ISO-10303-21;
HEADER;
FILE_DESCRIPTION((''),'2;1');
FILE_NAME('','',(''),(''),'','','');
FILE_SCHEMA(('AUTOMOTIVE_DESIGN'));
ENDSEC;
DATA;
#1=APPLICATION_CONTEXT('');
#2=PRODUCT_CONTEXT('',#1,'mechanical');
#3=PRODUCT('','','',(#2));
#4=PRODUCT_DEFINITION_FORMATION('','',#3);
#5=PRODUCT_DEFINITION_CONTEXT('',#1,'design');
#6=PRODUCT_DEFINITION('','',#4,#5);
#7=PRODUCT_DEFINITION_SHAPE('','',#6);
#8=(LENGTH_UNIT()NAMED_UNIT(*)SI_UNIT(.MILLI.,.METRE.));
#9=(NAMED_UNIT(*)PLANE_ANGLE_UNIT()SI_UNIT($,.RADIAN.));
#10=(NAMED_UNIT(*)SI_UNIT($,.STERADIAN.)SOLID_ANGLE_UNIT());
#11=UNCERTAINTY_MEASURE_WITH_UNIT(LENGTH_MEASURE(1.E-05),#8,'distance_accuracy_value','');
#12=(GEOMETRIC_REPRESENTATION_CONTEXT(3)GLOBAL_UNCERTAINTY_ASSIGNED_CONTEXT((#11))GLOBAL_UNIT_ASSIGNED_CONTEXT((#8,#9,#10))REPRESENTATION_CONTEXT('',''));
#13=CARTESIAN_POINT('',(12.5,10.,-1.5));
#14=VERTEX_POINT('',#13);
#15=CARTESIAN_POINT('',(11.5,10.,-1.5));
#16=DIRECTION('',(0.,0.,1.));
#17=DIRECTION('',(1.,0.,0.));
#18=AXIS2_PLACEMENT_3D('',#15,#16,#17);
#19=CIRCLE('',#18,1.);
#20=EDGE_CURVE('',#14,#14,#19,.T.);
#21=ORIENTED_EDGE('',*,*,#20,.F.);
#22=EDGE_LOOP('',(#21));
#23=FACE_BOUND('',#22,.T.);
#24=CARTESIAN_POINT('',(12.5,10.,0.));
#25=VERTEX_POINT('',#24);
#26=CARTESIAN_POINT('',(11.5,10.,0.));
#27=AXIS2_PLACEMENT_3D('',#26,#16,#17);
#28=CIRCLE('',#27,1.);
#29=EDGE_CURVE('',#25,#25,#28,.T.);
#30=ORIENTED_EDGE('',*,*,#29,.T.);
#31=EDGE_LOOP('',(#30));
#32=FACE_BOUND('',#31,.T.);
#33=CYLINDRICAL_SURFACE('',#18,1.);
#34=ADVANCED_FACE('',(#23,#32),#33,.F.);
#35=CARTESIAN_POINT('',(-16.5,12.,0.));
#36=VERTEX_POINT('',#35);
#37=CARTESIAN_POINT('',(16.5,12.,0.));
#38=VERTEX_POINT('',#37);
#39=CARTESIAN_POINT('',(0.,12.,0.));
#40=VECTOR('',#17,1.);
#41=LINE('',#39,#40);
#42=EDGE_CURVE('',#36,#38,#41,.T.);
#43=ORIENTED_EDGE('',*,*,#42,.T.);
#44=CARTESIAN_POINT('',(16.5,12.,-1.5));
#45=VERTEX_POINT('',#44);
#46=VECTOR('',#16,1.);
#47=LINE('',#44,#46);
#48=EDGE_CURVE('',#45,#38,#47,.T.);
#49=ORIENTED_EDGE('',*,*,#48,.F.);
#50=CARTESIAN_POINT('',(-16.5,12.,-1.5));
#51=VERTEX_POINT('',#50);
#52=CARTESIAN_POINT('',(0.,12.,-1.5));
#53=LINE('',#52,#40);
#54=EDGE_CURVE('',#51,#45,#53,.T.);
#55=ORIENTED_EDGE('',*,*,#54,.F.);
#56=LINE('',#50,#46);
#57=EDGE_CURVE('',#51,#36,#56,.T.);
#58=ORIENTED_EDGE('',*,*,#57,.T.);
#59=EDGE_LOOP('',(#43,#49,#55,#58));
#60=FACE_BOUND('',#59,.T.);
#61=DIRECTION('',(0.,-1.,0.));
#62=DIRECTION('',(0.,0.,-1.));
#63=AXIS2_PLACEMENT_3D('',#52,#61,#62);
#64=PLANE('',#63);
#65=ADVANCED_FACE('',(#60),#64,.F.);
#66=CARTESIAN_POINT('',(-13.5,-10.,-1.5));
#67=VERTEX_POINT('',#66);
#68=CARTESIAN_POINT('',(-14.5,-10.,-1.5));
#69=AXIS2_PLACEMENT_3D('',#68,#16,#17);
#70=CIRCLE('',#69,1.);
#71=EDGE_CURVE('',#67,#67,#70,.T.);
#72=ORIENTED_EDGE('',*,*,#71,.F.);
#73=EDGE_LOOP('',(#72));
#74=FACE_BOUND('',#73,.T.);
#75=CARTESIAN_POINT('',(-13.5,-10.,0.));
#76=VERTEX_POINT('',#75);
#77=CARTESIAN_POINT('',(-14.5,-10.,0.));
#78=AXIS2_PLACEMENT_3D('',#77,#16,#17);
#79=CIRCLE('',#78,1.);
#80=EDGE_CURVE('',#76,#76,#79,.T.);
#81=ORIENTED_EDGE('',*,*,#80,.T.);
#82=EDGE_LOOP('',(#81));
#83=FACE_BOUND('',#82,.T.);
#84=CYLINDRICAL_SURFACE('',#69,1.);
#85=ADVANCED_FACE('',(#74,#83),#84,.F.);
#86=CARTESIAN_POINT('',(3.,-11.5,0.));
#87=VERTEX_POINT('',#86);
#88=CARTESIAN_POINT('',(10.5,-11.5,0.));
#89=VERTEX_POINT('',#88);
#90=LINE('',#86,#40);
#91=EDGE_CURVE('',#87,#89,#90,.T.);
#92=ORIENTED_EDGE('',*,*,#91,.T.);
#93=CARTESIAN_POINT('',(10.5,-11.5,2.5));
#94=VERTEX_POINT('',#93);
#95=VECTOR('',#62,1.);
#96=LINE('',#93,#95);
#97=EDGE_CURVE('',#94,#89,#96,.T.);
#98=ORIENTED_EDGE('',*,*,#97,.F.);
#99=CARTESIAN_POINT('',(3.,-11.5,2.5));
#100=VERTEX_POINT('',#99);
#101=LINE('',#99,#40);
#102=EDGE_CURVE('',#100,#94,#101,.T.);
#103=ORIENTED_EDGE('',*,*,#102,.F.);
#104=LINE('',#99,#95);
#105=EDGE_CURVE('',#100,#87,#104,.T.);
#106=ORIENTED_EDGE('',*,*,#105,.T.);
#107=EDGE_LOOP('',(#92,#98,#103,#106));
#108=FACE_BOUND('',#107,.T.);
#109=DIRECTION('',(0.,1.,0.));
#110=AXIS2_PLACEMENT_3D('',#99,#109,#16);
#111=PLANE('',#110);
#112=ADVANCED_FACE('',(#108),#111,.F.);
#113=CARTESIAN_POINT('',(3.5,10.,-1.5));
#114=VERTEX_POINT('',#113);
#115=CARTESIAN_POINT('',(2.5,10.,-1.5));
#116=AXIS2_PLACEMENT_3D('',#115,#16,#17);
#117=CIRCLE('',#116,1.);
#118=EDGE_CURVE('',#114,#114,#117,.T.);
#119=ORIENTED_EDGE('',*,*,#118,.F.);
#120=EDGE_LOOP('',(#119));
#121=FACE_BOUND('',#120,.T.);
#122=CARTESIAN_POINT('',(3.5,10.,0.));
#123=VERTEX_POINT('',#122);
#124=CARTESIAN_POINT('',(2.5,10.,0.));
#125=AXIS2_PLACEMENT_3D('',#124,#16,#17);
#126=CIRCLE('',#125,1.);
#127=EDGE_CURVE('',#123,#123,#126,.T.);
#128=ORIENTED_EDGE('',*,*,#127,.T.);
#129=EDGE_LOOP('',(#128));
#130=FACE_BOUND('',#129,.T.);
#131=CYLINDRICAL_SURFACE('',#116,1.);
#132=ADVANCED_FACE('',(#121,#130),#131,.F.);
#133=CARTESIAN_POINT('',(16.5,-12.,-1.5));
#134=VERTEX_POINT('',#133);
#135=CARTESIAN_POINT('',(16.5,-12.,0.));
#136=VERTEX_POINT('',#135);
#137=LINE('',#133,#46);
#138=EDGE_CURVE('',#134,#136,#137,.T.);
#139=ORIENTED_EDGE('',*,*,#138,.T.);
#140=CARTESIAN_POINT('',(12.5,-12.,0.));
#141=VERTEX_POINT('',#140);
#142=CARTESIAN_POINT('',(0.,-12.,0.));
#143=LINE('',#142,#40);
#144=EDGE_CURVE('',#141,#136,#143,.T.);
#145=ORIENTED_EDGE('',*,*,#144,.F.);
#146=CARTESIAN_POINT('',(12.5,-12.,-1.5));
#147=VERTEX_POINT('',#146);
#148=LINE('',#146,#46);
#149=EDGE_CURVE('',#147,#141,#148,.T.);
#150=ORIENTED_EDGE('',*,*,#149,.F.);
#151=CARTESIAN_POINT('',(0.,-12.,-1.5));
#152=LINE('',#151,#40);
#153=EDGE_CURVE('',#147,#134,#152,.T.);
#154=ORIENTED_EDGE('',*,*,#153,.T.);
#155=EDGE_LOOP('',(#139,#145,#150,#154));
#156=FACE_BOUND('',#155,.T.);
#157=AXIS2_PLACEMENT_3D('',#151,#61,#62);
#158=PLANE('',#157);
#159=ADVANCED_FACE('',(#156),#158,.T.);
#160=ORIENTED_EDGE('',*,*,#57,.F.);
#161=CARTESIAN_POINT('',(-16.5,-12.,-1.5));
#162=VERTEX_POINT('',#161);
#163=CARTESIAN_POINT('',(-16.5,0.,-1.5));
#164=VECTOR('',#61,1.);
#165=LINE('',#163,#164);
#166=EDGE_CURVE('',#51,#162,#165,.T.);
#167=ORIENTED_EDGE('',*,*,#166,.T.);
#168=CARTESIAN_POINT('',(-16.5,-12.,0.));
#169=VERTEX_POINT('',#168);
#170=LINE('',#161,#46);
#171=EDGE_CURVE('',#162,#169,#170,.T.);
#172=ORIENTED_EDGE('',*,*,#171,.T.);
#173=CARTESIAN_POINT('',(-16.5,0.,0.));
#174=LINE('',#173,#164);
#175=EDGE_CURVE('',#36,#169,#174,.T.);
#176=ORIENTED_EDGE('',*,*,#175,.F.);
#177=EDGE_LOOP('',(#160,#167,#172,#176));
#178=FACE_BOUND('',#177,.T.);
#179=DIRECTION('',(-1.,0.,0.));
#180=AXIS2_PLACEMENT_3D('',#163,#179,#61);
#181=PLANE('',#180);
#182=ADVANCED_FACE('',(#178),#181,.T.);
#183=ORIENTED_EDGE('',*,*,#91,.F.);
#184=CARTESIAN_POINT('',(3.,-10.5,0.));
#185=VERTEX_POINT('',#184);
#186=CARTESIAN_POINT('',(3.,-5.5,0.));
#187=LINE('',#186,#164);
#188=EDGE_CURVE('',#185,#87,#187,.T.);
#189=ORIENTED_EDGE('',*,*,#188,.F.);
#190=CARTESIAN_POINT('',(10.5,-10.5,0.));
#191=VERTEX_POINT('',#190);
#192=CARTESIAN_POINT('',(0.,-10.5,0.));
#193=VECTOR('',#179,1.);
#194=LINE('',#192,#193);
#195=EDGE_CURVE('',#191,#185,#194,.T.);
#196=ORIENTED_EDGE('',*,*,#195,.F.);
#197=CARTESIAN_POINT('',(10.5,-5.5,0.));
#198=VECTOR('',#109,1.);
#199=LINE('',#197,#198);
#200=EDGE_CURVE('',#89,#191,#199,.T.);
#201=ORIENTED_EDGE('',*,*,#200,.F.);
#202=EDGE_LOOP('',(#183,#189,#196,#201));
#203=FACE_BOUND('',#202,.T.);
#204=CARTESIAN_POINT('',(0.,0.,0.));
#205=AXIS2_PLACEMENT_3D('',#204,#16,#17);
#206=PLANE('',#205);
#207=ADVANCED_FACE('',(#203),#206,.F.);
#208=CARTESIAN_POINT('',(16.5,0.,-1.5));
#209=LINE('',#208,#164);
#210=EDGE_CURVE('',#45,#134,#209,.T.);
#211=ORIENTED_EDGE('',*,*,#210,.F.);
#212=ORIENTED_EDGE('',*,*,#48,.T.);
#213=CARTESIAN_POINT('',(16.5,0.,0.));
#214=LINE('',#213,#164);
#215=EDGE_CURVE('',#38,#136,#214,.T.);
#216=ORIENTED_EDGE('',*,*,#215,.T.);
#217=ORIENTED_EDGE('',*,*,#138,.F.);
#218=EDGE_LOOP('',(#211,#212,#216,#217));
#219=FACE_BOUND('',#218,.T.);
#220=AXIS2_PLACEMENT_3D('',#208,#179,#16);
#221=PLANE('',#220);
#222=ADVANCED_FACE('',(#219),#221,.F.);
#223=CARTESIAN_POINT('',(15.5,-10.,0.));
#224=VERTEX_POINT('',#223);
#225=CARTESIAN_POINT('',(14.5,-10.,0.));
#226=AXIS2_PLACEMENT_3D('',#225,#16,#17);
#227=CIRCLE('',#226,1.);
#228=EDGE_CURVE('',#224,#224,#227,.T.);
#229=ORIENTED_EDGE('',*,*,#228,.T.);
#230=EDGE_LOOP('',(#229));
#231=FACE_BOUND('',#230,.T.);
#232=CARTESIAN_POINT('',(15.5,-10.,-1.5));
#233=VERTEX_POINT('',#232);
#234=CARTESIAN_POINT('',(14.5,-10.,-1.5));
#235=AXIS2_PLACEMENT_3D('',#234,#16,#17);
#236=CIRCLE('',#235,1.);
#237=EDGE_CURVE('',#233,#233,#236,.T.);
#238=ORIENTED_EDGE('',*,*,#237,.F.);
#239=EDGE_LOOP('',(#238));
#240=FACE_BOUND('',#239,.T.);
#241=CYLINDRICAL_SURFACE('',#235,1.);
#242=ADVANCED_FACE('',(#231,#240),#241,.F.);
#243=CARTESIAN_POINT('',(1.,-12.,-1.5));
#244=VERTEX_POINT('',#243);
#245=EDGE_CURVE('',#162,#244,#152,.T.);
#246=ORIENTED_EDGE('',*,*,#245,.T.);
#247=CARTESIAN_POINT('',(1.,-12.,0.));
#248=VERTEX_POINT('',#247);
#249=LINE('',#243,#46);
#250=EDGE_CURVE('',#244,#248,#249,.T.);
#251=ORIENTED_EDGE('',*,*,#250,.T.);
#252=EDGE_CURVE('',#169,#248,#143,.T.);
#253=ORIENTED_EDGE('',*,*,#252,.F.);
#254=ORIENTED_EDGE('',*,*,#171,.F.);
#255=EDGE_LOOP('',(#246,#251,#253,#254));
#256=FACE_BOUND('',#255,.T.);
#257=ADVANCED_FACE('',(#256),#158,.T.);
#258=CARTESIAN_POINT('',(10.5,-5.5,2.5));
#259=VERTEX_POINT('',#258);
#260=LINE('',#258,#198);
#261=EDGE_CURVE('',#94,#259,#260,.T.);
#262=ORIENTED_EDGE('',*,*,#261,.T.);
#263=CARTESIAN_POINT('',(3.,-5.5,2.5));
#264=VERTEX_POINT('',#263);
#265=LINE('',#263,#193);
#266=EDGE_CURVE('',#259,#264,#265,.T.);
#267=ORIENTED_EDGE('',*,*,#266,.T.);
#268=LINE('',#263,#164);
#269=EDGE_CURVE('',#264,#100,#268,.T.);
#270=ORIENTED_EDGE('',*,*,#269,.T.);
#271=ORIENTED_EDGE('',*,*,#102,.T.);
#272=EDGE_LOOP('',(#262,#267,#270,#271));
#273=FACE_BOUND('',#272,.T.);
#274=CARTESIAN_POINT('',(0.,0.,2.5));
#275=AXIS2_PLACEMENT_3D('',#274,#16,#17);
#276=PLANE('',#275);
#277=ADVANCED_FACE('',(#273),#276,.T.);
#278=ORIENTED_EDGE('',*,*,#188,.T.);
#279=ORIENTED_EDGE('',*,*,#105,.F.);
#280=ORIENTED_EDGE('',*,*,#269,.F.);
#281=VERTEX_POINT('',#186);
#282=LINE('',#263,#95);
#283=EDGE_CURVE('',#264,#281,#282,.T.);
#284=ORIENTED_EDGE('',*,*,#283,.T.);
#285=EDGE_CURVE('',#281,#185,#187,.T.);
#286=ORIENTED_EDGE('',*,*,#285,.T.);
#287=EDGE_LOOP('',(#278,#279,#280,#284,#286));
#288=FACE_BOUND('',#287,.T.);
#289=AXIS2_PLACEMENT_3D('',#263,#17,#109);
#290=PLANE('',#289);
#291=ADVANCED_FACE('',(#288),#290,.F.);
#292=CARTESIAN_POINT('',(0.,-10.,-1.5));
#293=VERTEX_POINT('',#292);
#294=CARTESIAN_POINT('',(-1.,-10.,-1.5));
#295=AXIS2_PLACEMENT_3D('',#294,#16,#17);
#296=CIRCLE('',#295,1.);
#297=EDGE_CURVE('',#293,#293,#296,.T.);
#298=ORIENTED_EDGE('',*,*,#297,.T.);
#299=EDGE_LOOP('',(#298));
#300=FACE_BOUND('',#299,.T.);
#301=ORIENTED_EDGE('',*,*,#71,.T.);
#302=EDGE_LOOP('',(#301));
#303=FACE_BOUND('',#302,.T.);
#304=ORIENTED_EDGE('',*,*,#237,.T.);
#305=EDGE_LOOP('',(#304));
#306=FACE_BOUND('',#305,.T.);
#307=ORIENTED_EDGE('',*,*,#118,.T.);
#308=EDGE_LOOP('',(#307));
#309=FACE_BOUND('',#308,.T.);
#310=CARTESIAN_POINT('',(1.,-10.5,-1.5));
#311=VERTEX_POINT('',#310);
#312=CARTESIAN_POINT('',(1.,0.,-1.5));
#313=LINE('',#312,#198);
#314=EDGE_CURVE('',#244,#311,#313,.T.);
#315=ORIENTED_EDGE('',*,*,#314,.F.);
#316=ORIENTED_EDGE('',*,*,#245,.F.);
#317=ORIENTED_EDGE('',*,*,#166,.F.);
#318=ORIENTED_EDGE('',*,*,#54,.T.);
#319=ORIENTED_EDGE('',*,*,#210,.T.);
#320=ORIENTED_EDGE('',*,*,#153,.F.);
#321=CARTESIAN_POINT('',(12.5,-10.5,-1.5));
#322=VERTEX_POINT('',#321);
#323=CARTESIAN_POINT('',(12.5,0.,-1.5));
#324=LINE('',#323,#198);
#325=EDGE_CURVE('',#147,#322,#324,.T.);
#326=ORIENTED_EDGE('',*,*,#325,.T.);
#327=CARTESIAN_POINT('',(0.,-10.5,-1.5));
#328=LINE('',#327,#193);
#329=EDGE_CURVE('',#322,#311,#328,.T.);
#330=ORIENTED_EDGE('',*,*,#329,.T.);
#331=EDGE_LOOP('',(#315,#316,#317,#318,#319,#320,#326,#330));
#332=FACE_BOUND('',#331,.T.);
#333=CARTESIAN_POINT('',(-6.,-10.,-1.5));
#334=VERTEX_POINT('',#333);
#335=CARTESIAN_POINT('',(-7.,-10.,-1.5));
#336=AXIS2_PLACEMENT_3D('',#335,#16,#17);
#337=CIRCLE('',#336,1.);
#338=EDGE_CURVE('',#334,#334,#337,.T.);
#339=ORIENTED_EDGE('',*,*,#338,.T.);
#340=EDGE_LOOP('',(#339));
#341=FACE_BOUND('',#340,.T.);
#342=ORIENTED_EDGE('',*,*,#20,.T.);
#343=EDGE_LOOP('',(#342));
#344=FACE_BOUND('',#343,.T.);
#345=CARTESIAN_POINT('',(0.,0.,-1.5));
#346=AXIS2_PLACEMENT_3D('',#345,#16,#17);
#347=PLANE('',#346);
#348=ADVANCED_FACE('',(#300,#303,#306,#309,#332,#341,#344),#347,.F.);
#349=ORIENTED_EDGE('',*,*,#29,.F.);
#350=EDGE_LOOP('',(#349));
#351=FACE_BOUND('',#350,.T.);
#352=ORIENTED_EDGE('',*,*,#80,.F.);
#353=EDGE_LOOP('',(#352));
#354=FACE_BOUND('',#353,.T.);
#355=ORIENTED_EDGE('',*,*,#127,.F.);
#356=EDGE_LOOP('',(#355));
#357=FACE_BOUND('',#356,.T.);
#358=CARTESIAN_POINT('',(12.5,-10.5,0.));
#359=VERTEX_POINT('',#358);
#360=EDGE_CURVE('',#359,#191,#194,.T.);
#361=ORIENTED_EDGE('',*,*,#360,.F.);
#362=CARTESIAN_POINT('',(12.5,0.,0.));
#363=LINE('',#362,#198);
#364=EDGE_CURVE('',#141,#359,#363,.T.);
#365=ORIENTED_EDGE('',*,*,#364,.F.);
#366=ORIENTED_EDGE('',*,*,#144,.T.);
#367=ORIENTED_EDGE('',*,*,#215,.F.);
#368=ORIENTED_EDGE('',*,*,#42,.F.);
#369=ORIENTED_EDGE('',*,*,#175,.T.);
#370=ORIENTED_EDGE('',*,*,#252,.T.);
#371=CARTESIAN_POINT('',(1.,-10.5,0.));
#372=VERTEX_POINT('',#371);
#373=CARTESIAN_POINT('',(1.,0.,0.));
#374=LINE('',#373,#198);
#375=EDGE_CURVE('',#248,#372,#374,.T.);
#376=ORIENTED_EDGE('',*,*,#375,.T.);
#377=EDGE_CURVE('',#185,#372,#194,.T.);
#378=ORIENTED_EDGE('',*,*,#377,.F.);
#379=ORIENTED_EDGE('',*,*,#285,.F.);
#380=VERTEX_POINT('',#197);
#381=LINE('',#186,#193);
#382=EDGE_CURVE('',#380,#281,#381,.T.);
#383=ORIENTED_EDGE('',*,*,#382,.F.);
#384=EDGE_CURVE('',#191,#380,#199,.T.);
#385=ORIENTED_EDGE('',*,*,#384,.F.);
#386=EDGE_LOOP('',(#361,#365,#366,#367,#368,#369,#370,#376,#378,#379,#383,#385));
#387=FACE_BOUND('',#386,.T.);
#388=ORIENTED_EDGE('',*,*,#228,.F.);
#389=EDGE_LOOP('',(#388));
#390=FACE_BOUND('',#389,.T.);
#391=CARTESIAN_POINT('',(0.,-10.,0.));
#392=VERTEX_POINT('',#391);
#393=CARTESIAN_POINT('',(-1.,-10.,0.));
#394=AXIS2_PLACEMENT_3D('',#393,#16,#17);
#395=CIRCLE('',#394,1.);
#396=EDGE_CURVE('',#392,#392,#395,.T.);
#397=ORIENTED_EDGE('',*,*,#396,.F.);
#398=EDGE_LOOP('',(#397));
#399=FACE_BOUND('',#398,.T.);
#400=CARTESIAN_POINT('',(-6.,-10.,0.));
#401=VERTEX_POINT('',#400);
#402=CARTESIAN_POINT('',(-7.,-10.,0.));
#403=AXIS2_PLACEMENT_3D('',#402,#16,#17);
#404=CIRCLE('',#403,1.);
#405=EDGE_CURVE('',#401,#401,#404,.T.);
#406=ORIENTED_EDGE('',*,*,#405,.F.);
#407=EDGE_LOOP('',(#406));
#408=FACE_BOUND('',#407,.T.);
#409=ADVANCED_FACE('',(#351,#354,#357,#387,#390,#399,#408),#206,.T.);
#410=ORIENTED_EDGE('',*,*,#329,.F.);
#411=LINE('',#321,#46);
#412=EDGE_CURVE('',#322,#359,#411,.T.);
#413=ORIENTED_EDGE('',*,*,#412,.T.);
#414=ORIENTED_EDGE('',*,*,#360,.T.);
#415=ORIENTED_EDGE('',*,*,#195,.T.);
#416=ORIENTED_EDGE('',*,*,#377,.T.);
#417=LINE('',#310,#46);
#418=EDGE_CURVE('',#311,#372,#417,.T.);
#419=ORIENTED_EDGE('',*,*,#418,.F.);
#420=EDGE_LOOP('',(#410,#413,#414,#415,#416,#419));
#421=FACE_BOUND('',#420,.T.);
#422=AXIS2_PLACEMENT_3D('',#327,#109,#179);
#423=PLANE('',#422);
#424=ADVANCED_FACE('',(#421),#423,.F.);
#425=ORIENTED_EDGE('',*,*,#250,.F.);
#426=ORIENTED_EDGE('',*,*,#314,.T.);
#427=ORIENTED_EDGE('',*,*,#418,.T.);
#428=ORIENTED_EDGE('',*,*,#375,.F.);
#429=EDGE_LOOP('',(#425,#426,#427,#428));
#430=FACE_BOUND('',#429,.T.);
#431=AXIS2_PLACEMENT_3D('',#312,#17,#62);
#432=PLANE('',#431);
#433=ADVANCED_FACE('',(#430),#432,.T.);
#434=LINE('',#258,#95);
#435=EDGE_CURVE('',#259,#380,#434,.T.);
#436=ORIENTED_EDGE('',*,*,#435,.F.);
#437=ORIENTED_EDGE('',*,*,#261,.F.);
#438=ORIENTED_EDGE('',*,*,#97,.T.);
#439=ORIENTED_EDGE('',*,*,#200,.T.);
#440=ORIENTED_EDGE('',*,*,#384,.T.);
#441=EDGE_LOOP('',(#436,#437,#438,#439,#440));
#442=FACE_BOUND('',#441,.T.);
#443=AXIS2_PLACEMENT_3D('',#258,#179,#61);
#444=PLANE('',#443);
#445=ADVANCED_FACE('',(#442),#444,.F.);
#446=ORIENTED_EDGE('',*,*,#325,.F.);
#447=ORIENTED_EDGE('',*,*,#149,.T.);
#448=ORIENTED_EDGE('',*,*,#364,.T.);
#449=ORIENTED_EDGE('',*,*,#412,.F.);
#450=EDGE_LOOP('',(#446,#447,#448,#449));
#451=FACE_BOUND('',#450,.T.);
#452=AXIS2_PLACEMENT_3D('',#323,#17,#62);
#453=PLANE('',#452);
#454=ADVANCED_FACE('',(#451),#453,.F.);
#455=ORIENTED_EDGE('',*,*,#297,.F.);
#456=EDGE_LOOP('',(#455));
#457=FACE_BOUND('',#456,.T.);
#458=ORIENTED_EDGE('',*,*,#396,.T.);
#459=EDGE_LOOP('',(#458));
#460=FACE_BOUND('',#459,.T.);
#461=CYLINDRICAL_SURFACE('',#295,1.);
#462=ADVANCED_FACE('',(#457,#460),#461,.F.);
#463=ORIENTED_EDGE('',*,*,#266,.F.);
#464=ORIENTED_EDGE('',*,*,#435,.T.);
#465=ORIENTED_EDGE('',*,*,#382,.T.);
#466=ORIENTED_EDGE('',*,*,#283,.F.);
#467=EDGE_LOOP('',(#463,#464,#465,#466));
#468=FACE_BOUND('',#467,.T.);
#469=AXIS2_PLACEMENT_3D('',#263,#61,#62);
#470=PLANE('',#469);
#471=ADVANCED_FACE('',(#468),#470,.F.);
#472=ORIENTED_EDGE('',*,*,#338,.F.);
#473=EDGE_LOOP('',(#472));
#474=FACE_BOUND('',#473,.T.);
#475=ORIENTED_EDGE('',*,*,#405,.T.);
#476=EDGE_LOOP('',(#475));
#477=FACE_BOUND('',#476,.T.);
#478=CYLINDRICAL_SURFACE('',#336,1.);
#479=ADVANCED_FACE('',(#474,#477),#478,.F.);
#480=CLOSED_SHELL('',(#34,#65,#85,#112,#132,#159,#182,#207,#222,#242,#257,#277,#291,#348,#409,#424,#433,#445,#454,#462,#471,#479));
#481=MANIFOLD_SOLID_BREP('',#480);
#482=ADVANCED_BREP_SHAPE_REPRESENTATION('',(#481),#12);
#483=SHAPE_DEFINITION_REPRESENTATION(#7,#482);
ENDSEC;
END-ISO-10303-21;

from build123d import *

# Parameters (mm, degrees)
SKETCH_1_R      = 1
EXTRUDE_1_DEPTH = 1.5
SKETCH_2_W      = 7.5
SKETCH_2_H      = 6
EXTRUDE_2_DEPTH = 2.5


with BuildPart() as part:
    # Эскиз1 → Бобышка-Вытянуть1 (new body)
    with BuildSketch(Plane.XY):
        Polygon((16.5, 12), (-16.5, 12), (-16.5, -12), (1, -12), (1, -10.5), (12.5, -10.5), (12.5, -12), (16.5, -12), align=None)
        with Locations((-14.5, -10)):
            Circle(SKETCH_1_R, mode=Mode.SUBTRACT)
        with Locations((-7, -10)):
            Circle(SKETCH_1_R, mode=Mode.SUBTRACT)
        with Locations((-1, -10)):
            Circle(SKETCH_1_R, mode=Mode.SUBTRACT)
        with Locations((14.5, -10)):
            Circle(SKETCH_1_R, mode=Mode.SUBTRACT)
        with Locations((2.5, 10)):
            Circle(SKETCH_1_R, mode=Mode.SUBTRACT)
        with Locations((11.5, 10)):
            Circle(SKETCH_1_R, mode=Mode.SUBTRACT)
    extrude(amount=-EXTRUDE_1_DEPTH)

    # Эскиз2 → Бобышка-Вытянуть2 (add)
    with BuildSketch(Plane.XY):
        with Locations((6.75, -8.5)):
            Rectangle(SKETCH_2_W, SKETCH_2_H)
    extrude(amount=EXTRUDE_2_DEPTH)


solid = part.part
